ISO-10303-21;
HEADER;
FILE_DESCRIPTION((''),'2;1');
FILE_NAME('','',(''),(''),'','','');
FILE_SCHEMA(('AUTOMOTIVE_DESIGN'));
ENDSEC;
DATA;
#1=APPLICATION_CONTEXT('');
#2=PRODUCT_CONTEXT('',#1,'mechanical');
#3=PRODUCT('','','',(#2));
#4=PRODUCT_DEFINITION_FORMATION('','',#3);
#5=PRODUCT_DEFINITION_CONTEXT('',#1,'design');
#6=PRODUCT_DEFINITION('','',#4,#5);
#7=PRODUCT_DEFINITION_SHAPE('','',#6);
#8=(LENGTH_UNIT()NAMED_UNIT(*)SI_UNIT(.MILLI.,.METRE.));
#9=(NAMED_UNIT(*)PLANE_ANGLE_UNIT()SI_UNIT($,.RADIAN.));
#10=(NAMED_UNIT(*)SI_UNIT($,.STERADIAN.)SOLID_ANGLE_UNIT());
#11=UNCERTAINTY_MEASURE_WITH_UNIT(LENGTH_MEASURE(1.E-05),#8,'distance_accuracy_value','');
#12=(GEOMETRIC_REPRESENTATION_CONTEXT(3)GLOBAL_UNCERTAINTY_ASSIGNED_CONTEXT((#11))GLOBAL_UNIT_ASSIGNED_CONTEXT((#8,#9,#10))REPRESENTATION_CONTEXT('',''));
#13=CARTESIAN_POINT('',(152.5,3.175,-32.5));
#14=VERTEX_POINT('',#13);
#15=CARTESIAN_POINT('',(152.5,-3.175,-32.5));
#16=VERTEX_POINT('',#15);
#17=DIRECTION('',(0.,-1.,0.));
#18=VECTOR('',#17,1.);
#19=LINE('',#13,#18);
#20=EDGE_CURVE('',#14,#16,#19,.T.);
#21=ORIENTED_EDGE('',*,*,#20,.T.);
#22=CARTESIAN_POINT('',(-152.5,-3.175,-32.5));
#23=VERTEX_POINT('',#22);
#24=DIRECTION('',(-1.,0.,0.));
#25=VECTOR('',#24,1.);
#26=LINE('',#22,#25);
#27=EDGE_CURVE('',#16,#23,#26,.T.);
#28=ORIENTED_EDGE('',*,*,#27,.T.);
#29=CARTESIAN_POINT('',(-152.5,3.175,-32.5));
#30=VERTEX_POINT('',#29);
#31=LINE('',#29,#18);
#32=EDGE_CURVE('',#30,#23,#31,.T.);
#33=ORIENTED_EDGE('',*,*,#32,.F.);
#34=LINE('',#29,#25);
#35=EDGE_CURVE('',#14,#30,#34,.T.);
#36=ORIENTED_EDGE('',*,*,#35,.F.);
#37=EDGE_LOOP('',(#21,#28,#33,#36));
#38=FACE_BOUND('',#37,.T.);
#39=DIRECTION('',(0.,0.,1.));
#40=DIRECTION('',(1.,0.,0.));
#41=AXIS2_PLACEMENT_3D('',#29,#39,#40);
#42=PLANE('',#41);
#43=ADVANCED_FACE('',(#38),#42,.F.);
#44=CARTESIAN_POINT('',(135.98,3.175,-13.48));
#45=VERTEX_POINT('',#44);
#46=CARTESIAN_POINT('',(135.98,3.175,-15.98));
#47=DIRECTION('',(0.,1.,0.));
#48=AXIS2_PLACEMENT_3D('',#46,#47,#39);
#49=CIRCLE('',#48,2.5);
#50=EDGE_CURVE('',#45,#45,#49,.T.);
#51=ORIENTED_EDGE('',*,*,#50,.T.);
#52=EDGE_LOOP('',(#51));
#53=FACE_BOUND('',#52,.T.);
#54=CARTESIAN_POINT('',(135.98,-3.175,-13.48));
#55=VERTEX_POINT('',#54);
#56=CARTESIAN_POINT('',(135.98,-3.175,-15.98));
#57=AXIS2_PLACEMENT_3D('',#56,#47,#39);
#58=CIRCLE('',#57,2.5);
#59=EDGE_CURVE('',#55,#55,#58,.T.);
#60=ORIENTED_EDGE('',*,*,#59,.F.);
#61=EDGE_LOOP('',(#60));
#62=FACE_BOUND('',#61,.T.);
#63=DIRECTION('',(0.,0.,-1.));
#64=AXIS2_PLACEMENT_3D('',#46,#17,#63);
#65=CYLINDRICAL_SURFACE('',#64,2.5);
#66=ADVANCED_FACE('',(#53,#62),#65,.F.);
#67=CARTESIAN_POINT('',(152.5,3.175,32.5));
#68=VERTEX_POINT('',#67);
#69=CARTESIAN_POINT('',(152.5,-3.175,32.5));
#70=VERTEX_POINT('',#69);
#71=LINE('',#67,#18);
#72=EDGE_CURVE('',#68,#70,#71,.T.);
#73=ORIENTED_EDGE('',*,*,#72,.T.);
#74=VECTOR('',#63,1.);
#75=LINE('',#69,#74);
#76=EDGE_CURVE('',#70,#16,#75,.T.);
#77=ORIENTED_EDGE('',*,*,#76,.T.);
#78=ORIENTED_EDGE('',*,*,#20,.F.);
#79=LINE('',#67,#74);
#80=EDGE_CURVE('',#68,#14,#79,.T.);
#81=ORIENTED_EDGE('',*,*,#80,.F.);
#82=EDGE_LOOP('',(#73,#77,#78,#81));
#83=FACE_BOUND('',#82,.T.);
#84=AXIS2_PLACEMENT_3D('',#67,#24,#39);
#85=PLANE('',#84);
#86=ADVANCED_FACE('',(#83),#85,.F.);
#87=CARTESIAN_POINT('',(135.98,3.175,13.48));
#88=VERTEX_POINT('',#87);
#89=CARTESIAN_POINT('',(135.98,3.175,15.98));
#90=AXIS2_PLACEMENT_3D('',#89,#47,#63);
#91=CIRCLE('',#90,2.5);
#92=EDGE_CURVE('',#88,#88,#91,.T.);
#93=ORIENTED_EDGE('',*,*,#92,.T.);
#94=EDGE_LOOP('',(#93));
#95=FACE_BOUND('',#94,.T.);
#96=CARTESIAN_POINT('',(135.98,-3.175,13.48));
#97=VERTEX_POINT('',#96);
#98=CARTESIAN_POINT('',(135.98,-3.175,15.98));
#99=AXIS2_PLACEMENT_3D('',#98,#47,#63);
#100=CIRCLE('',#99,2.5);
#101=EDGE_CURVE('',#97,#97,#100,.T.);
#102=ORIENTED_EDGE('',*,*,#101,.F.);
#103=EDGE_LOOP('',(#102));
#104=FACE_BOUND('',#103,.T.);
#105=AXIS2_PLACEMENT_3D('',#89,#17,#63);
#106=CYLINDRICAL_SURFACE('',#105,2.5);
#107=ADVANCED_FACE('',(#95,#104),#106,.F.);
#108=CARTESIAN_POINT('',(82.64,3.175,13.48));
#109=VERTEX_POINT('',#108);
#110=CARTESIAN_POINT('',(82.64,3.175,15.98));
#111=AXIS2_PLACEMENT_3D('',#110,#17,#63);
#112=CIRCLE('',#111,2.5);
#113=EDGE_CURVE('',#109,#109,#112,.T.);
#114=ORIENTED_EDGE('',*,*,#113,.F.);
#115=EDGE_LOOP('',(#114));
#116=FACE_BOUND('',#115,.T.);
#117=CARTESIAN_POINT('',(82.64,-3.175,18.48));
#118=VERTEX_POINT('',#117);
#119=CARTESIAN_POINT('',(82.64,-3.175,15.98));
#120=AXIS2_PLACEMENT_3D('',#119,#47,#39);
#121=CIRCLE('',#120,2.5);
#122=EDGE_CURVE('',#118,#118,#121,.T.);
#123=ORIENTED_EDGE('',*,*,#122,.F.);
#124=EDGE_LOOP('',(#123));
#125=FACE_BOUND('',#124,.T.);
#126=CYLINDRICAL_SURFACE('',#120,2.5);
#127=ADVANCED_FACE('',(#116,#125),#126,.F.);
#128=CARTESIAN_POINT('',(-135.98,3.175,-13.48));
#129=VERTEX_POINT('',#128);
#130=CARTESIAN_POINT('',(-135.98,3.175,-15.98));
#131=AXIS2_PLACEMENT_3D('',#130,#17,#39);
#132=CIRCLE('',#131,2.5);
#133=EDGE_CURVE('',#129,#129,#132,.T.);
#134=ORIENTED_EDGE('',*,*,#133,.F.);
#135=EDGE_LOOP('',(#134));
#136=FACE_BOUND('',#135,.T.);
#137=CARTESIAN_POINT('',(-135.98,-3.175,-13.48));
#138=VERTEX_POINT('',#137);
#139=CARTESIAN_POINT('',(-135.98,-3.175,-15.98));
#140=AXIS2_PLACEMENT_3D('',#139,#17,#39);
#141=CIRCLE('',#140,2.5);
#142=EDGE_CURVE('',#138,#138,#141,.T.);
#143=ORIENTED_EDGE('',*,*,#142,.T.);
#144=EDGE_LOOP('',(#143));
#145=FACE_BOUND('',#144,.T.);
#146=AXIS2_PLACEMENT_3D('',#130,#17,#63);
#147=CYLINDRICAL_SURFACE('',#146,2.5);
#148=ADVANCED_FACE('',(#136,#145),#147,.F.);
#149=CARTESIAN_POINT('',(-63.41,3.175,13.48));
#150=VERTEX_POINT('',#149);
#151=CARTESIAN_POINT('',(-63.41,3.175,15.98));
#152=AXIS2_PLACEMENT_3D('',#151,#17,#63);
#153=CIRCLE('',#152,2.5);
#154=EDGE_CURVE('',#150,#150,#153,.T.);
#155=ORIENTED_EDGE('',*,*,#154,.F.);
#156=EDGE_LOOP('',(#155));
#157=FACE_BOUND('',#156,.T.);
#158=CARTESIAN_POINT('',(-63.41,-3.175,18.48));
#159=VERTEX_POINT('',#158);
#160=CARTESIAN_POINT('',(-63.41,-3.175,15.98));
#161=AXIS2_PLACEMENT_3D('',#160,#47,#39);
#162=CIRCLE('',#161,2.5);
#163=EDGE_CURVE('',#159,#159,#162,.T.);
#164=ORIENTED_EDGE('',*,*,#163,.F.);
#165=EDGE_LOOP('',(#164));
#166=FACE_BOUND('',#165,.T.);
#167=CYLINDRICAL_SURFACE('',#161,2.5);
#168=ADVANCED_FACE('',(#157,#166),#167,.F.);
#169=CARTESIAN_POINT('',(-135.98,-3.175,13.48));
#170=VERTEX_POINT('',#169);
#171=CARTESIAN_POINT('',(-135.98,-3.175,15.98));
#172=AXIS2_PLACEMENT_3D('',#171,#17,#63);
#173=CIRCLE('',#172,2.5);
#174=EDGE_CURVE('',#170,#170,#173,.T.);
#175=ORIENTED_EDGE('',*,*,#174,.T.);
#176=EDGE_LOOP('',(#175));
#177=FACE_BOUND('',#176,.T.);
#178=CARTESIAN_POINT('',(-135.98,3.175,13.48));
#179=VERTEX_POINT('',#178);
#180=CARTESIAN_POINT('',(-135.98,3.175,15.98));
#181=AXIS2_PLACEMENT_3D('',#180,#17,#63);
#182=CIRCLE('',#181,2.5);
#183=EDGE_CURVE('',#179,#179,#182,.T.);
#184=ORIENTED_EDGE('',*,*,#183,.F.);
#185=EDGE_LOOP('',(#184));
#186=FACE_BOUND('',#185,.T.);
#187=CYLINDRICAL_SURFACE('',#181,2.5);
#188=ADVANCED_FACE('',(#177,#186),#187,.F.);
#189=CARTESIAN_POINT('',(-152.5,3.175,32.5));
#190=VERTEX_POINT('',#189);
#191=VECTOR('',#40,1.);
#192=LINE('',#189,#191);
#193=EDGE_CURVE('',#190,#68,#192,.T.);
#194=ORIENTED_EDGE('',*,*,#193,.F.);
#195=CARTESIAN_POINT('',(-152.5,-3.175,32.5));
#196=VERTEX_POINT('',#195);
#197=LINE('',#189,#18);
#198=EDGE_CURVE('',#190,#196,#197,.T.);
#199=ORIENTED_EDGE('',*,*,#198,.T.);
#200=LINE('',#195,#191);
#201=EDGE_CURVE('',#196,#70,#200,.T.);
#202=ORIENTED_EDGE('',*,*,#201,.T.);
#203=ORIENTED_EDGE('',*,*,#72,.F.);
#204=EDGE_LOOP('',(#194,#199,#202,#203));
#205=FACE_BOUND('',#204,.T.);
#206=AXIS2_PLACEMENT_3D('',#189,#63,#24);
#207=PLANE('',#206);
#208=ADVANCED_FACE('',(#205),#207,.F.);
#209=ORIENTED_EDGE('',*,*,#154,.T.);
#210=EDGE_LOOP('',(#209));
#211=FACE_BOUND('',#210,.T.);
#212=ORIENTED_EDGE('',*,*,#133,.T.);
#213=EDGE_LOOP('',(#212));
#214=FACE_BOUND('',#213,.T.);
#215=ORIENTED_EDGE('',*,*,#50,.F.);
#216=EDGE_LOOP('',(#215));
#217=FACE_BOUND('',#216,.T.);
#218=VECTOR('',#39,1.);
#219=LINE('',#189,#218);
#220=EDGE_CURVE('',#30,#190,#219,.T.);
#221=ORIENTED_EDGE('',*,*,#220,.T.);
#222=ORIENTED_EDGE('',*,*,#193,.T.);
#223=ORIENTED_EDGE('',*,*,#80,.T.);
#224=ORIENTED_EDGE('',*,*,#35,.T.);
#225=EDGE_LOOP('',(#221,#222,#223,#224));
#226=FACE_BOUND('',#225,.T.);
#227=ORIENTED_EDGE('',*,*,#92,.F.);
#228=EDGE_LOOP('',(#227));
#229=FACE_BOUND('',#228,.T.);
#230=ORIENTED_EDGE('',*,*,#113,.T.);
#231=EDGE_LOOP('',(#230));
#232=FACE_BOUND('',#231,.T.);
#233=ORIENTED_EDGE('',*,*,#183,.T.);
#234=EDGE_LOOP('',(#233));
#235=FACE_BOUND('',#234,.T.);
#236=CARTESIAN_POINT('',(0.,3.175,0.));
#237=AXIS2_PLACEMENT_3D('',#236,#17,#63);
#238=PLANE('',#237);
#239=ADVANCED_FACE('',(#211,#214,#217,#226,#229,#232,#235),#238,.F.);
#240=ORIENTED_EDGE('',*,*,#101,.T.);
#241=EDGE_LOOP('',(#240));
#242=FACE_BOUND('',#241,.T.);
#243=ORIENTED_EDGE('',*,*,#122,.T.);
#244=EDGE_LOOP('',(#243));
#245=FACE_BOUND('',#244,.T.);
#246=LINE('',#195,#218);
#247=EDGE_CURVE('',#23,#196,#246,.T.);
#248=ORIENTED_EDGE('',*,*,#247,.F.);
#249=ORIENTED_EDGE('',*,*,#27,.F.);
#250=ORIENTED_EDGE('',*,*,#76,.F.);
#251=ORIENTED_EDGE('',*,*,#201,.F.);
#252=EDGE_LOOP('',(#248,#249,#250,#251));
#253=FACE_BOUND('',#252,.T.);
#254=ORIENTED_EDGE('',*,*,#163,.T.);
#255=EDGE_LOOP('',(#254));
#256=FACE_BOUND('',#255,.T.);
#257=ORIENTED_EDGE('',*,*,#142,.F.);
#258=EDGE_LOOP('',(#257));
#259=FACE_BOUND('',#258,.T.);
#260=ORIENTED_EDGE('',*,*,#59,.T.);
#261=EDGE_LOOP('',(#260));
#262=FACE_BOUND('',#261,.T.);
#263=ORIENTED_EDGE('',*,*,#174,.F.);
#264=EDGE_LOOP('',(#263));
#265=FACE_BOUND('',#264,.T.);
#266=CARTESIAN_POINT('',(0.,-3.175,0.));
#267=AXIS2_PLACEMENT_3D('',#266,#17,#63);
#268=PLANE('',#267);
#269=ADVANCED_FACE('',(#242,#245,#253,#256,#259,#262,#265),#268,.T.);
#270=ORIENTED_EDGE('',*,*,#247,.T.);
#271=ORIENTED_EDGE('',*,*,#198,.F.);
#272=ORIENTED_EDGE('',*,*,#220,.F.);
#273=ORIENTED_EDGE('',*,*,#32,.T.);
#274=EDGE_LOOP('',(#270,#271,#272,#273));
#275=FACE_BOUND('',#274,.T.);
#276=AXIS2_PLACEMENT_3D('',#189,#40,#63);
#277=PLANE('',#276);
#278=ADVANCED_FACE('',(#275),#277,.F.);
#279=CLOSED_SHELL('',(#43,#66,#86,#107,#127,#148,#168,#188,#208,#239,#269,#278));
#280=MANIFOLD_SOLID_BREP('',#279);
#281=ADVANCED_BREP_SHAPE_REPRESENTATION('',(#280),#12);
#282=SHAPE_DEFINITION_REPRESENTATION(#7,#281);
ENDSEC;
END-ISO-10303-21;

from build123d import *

# Parameters (mm, degrees)
SKETCH1_W               = 305
SKETCH1_H               = 65
BOSS_EXTRUDE1_DEPTH     = 3.175
SKETCH4_R               = 2.5
CUT_EXTRUDE2_DEPTH      = 159.40243251
CUT_EXTRUDE3_DEPTH      = 157.053908955
CUT_EXTRUDE3_DEPTH_BACK = 157.053908955
SKETCH5_R               = 2.5


with BuildPart() as part:
    # Sketch1 → Boss-Extrude1 (new, symmetric)
    with BuildSketch(Plane(origin=(0, 0, 0), x_dir=(1, 0, 0), z_dir=(0, 1, 0))):
        Rectangle(SKETCH1_W, SKETCH1_H)
    extrude(amount=BOSS_EXTRUDE1_DEPTH, both=True)

    # Sketch4 → Cut-Extrude2 (cut, symmetric)
    with BuildSketch(Plane(origin=(-2.5, 0, 0), x_dir=(-1, 0, 0), z_dir=(0, -1, 0))):
        with Locations(Location((133.48, -15.98, 0), (0, 0, 90))):
            Circle(SKETCH4_R)
        with Locations(Location((133.48, 15.98, 0), (0, 0, 270))):
            Circle(SKETCH4_R)
    cut_extrude2 = extrude(amount=CUT_EXTRUDE2_DEPTH, both=True, mode=Mode.SUBTRACT)

    # Mirror2: Cut-Extrude2 across plane
    add(cut_extrude2.mirror(Plane(origin=(0, 0, 0), x_dir=(0, 0, 1), z_dir=(1, 0, 0))), mode=Mode.SUBTRACT)

    # Sketch5 → Cut-Extrude3 (cut, two sides: drawn at the far end of the back side and taken through both)
    with BuildSketch(Plane(origin=(0, 3.175, 0), x_dir=(1, 0, 0), z_dir=(0, 1, 0)).offset(-CUT_EXTRUDE3_DEPTH_BACK)):
        with Locations(Location((82.64, -15.98, 0), (0, 0, 270))):
            Circle(SKETCH5_R)
        with Locations(Location((-63.41, -15.98, 0), (0, 0, 270))):
            Circle(SKETCH5_R)
    extrude(amount=CUT_EXTRUDE3_DEPTH + CUT_EXTRUDE3_DEPTH_BACK, mode=Mode.SUBTRACT)


solid = part.part
